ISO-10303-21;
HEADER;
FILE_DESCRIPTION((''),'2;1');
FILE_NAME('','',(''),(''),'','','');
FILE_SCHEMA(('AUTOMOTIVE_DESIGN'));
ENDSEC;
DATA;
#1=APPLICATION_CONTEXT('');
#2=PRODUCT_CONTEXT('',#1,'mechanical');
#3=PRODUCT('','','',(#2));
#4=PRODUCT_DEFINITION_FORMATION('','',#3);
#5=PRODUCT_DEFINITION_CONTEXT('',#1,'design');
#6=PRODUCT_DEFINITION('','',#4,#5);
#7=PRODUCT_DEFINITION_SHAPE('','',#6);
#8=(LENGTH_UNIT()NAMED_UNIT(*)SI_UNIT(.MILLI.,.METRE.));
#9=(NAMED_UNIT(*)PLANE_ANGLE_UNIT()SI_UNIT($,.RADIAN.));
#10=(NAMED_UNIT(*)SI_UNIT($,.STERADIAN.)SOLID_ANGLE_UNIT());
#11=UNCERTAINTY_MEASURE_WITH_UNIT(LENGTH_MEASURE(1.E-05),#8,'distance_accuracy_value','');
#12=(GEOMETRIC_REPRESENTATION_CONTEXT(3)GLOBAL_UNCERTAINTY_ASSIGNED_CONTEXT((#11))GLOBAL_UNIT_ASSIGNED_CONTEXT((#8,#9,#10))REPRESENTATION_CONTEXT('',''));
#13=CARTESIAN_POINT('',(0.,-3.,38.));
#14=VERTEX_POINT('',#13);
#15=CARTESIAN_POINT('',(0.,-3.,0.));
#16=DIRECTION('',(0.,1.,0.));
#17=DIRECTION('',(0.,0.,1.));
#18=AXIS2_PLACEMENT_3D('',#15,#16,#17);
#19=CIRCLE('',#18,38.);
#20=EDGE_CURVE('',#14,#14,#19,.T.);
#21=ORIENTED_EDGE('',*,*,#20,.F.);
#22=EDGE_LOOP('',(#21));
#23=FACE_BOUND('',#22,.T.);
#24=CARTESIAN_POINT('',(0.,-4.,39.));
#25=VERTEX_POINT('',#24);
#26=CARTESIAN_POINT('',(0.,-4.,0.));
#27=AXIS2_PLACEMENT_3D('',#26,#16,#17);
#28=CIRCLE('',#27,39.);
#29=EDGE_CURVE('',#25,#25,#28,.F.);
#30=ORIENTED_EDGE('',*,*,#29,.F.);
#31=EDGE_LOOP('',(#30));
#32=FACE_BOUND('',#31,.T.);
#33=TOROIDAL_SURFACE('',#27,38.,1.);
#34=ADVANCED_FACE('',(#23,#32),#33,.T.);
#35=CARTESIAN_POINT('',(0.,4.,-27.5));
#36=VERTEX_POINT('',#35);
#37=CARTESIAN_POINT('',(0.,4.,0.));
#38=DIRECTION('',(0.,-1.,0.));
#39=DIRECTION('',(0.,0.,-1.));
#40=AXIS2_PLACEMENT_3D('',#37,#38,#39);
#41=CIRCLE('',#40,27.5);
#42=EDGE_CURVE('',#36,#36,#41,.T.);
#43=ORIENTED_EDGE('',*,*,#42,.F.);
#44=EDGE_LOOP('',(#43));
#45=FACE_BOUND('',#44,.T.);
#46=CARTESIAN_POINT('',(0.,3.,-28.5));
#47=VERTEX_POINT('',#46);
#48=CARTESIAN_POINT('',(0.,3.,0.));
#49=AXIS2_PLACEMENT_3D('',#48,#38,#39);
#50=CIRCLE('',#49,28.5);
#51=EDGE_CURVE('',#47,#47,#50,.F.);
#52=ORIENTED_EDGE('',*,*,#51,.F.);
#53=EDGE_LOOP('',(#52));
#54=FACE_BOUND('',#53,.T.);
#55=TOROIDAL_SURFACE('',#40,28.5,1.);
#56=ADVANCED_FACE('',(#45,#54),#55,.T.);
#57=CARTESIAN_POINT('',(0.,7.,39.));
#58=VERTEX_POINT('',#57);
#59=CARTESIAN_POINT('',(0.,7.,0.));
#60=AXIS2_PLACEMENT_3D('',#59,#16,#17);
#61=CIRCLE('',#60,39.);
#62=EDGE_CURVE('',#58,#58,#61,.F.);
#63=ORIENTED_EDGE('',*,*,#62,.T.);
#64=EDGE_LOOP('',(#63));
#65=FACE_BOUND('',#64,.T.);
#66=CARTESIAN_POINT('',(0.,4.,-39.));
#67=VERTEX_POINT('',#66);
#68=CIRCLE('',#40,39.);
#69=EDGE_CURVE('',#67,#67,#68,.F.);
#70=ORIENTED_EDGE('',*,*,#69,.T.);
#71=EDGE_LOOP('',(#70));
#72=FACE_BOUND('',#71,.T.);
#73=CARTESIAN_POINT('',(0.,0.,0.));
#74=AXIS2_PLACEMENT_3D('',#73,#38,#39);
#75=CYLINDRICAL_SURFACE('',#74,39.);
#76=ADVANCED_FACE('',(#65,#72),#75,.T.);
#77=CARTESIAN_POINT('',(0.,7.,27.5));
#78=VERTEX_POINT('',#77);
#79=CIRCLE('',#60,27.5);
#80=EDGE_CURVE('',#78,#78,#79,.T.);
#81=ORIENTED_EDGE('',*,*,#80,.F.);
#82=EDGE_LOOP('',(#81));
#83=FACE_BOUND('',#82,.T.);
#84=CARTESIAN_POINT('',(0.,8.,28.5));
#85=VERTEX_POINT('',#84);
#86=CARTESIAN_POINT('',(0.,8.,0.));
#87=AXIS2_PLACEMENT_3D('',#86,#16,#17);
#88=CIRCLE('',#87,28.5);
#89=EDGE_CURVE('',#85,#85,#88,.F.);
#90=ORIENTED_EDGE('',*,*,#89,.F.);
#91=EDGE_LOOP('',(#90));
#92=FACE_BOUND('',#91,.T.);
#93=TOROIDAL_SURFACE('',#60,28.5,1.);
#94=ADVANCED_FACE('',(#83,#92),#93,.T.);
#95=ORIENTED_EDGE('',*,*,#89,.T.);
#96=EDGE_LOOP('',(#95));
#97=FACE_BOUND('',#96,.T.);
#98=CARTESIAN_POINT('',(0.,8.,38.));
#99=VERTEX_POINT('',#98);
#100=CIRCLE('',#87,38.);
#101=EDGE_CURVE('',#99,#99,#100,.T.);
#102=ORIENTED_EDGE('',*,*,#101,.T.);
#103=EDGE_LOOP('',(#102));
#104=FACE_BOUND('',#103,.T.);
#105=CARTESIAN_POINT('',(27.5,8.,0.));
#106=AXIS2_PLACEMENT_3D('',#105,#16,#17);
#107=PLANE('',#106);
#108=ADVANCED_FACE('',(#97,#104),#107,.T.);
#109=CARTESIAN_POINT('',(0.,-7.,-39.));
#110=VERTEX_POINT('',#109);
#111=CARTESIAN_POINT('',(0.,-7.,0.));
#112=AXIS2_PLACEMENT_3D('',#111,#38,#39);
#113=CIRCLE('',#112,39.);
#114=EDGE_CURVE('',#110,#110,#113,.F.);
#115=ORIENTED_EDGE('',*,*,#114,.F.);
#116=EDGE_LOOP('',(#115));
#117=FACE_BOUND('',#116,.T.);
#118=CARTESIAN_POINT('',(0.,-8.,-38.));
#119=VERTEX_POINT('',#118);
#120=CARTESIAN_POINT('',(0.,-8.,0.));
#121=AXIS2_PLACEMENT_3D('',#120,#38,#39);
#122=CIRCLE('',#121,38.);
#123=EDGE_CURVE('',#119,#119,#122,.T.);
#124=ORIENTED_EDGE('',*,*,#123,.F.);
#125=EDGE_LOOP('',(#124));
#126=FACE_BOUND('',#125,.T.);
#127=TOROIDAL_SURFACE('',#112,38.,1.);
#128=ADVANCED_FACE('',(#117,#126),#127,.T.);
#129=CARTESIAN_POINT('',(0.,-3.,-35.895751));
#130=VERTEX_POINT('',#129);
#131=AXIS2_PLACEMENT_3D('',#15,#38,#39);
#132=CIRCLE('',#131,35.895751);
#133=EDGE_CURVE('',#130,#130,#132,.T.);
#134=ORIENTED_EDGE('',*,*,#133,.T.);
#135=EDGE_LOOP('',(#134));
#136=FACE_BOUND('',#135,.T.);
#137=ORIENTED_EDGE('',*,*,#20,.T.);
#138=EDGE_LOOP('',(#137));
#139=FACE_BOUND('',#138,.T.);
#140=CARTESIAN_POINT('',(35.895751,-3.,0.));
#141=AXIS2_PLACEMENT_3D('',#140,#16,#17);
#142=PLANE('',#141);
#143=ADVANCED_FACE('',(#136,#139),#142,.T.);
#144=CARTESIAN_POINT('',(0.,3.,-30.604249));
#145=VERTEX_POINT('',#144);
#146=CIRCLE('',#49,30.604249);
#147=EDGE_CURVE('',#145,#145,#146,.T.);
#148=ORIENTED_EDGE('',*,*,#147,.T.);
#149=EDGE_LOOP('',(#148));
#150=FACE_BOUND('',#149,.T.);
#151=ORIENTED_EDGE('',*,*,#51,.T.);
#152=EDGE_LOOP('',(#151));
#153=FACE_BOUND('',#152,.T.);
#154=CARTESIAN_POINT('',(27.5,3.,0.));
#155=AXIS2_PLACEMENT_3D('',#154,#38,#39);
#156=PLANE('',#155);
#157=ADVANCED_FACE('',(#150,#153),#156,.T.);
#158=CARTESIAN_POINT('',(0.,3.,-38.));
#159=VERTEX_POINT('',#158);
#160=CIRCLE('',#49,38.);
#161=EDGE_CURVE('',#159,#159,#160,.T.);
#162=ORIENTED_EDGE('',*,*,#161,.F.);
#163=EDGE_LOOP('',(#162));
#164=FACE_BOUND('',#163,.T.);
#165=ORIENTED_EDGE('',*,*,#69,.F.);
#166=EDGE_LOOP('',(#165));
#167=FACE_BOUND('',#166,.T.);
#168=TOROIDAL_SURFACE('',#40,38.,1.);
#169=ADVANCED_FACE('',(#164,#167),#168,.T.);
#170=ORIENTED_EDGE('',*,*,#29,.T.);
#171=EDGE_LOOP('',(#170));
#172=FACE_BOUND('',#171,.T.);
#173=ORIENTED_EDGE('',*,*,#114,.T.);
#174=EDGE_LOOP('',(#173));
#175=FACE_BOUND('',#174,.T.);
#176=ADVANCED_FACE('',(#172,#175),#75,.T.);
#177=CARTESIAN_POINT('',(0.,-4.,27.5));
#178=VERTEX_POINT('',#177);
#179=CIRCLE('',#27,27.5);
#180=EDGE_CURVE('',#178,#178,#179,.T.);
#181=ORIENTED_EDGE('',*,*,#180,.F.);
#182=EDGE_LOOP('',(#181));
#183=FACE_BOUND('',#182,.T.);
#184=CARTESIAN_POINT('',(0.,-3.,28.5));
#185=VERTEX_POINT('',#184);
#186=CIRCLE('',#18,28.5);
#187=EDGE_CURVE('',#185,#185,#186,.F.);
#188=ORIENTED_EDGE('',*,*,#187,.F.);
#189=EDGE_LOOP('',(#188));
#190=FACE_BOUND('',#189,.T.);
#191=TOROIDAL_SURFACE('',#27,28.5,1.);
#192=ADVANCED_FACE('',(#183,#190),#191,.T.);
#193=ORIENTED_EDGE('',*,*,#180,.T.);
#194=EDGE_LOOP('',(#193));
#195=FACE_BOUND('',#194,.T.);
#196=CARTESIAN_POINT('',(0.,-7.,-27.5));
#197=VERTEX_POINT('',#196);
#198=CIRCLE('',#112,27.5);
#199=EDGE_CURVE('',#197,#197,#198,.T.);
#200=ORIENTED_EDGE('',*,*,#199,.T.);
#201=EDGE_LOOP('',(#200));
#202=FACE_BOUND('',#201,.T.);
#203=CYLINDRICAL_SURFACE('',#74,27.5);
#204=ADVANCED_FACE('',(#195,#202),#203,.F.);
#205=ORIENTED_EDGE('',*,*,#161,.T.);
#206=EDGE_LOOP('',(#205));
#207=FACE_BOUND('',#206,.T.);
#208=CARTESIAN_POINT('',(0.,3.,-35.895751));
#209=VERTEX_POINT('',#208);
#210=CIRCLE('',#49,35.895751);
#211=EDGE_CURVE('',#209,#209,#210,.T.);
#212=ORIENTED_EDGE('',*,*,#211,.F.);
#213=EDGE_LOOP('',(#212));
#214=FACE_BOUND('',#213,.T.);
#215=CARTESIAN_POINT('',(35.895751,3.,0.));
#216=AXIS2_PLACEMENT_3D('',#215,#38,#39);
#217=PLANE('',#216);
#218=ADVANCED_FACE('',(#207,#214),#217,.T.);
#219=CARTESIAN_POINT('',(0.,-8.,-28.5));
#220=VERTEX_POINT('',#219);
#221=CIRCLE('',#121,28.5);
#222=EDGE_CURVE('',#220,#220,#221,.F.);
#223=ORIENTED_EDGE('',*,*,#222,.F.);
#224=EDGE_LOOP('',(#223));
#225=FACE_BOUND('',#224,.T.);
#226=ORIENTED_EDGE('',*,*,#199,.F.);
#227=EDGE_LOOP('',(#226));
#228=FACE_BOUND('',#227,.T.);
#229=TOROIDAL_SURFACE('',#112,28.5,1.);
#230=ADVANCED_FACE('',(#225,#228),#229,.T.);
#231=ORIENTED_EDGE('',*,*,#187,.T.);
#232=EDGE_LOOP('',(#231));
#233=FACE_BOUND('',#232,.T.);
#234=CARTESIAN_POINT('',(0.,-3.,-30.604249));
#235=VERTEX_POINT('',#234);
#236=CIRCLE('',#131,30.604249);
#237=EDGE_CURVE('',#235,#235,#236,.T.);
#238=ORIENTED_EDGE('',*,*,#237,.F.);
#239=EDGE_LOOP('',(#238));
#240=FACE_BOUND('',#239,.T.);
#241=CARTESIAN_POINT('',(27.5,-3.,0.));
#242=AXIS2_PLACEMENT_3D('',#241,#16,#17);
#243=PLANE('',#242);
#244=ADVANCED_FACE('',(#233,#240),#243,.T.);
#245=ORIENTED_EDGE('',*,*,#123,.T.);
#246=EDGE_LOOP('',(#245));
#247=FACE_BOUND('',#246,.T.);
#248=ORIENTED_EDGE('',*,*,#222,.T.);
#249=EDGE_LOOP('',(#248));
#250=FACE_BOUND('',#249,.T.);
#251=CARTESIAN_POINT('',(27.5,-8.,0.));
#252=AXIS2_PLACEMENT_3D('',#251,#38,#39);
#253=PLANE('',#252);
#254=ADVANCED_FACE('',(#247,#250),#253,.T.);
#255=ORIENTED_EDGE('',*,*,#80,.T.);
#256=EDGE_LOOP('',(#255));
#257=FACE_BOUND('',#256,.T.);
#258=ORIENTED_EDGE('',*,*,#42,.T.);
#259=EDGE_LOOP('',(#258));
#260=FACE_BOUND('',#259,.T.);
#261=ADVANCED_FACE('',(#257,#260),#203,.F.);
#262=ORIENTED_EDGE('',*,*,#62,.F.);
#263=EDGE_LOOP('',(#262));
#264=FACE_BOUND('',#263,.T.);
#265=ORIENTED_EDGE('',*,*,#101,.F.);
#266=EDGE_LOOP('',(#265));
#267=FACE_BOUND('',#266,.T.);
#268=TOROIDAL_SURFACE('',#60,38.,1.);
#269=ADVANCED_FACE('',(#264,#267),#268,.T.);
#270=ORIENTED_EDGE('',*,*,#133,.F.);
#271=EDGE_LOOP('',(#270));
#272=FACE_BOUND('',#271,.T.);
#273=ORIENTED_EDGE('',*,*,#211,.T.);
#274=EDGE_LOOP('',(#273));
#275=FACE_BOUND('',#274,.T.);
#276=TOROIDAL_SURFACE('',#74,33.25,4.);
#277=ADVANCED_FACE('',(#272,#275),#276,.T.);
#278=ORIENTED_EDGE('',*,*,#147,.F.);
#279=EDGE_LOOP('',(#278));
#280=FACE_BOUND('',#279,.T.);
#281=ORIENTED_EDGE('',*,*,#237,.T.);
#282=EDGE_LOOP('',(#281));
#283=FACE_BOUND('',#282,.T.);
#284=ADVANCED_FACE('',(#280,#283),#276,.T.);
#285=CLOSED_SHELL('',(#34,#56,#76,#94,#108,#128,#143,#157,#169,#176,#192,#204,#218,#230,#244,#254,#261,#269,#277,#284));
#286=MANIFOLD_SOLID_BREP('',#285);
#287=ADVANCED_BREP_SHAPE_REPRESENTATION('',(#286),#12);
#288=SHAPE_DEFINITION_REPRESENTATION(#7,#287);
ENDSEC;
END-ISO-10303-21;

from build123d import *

# Parameters (mm, degrees)
FILLET1_R = 1


with BuildPart() as part:
    # Sketch1 → Revolve1 (revolve)
    with BuildSketch(Plane.XY):
        with BuildLine():
            Line((27.5, -3), (30.604248689, -3))
            ThreePointArc((30.604248689, -3), (29.25, 0), (30.604248689, 3))
            Line((30.604248689, 3), (27.5, 3))
            Line((27.5, 3), (27.5, 8))
            Line((27.5, 8), (39, 8))
            Line((39, 8), (39, 3))
            Line((39, 3), (35.895751311, 3))
            ThreePointArc((35.895751311, 3), (37.25, 0), (35.895751311, -3))
            Line((35.895751311, -3), (39, -3))
            Line((39, -3), (39, -8))
            Line((39, -8), (27.5, -8))
            Line((27.5, -8), (27.5, -3))
        make_face()
    revolve(axis=Axis((0, 0, 0), (0, 1, 0)))

    # Fillet1
    fillet1_edges = [part.edges().sort_by_distance(p)[0] for p in [
        (-27.5, -3, 0),
        (-27.5, 3, 0),
        (-27.5, 8, 0),
        (-39, 8, 0),
        (-39, 3, 0),
        (-39, -3, 0),
        (-39, -8, 0),
        (-27.5, -8, 0),
    ]]
    fillet(fillet1_edges, radius=FILLET1_R)


solid = part.part
